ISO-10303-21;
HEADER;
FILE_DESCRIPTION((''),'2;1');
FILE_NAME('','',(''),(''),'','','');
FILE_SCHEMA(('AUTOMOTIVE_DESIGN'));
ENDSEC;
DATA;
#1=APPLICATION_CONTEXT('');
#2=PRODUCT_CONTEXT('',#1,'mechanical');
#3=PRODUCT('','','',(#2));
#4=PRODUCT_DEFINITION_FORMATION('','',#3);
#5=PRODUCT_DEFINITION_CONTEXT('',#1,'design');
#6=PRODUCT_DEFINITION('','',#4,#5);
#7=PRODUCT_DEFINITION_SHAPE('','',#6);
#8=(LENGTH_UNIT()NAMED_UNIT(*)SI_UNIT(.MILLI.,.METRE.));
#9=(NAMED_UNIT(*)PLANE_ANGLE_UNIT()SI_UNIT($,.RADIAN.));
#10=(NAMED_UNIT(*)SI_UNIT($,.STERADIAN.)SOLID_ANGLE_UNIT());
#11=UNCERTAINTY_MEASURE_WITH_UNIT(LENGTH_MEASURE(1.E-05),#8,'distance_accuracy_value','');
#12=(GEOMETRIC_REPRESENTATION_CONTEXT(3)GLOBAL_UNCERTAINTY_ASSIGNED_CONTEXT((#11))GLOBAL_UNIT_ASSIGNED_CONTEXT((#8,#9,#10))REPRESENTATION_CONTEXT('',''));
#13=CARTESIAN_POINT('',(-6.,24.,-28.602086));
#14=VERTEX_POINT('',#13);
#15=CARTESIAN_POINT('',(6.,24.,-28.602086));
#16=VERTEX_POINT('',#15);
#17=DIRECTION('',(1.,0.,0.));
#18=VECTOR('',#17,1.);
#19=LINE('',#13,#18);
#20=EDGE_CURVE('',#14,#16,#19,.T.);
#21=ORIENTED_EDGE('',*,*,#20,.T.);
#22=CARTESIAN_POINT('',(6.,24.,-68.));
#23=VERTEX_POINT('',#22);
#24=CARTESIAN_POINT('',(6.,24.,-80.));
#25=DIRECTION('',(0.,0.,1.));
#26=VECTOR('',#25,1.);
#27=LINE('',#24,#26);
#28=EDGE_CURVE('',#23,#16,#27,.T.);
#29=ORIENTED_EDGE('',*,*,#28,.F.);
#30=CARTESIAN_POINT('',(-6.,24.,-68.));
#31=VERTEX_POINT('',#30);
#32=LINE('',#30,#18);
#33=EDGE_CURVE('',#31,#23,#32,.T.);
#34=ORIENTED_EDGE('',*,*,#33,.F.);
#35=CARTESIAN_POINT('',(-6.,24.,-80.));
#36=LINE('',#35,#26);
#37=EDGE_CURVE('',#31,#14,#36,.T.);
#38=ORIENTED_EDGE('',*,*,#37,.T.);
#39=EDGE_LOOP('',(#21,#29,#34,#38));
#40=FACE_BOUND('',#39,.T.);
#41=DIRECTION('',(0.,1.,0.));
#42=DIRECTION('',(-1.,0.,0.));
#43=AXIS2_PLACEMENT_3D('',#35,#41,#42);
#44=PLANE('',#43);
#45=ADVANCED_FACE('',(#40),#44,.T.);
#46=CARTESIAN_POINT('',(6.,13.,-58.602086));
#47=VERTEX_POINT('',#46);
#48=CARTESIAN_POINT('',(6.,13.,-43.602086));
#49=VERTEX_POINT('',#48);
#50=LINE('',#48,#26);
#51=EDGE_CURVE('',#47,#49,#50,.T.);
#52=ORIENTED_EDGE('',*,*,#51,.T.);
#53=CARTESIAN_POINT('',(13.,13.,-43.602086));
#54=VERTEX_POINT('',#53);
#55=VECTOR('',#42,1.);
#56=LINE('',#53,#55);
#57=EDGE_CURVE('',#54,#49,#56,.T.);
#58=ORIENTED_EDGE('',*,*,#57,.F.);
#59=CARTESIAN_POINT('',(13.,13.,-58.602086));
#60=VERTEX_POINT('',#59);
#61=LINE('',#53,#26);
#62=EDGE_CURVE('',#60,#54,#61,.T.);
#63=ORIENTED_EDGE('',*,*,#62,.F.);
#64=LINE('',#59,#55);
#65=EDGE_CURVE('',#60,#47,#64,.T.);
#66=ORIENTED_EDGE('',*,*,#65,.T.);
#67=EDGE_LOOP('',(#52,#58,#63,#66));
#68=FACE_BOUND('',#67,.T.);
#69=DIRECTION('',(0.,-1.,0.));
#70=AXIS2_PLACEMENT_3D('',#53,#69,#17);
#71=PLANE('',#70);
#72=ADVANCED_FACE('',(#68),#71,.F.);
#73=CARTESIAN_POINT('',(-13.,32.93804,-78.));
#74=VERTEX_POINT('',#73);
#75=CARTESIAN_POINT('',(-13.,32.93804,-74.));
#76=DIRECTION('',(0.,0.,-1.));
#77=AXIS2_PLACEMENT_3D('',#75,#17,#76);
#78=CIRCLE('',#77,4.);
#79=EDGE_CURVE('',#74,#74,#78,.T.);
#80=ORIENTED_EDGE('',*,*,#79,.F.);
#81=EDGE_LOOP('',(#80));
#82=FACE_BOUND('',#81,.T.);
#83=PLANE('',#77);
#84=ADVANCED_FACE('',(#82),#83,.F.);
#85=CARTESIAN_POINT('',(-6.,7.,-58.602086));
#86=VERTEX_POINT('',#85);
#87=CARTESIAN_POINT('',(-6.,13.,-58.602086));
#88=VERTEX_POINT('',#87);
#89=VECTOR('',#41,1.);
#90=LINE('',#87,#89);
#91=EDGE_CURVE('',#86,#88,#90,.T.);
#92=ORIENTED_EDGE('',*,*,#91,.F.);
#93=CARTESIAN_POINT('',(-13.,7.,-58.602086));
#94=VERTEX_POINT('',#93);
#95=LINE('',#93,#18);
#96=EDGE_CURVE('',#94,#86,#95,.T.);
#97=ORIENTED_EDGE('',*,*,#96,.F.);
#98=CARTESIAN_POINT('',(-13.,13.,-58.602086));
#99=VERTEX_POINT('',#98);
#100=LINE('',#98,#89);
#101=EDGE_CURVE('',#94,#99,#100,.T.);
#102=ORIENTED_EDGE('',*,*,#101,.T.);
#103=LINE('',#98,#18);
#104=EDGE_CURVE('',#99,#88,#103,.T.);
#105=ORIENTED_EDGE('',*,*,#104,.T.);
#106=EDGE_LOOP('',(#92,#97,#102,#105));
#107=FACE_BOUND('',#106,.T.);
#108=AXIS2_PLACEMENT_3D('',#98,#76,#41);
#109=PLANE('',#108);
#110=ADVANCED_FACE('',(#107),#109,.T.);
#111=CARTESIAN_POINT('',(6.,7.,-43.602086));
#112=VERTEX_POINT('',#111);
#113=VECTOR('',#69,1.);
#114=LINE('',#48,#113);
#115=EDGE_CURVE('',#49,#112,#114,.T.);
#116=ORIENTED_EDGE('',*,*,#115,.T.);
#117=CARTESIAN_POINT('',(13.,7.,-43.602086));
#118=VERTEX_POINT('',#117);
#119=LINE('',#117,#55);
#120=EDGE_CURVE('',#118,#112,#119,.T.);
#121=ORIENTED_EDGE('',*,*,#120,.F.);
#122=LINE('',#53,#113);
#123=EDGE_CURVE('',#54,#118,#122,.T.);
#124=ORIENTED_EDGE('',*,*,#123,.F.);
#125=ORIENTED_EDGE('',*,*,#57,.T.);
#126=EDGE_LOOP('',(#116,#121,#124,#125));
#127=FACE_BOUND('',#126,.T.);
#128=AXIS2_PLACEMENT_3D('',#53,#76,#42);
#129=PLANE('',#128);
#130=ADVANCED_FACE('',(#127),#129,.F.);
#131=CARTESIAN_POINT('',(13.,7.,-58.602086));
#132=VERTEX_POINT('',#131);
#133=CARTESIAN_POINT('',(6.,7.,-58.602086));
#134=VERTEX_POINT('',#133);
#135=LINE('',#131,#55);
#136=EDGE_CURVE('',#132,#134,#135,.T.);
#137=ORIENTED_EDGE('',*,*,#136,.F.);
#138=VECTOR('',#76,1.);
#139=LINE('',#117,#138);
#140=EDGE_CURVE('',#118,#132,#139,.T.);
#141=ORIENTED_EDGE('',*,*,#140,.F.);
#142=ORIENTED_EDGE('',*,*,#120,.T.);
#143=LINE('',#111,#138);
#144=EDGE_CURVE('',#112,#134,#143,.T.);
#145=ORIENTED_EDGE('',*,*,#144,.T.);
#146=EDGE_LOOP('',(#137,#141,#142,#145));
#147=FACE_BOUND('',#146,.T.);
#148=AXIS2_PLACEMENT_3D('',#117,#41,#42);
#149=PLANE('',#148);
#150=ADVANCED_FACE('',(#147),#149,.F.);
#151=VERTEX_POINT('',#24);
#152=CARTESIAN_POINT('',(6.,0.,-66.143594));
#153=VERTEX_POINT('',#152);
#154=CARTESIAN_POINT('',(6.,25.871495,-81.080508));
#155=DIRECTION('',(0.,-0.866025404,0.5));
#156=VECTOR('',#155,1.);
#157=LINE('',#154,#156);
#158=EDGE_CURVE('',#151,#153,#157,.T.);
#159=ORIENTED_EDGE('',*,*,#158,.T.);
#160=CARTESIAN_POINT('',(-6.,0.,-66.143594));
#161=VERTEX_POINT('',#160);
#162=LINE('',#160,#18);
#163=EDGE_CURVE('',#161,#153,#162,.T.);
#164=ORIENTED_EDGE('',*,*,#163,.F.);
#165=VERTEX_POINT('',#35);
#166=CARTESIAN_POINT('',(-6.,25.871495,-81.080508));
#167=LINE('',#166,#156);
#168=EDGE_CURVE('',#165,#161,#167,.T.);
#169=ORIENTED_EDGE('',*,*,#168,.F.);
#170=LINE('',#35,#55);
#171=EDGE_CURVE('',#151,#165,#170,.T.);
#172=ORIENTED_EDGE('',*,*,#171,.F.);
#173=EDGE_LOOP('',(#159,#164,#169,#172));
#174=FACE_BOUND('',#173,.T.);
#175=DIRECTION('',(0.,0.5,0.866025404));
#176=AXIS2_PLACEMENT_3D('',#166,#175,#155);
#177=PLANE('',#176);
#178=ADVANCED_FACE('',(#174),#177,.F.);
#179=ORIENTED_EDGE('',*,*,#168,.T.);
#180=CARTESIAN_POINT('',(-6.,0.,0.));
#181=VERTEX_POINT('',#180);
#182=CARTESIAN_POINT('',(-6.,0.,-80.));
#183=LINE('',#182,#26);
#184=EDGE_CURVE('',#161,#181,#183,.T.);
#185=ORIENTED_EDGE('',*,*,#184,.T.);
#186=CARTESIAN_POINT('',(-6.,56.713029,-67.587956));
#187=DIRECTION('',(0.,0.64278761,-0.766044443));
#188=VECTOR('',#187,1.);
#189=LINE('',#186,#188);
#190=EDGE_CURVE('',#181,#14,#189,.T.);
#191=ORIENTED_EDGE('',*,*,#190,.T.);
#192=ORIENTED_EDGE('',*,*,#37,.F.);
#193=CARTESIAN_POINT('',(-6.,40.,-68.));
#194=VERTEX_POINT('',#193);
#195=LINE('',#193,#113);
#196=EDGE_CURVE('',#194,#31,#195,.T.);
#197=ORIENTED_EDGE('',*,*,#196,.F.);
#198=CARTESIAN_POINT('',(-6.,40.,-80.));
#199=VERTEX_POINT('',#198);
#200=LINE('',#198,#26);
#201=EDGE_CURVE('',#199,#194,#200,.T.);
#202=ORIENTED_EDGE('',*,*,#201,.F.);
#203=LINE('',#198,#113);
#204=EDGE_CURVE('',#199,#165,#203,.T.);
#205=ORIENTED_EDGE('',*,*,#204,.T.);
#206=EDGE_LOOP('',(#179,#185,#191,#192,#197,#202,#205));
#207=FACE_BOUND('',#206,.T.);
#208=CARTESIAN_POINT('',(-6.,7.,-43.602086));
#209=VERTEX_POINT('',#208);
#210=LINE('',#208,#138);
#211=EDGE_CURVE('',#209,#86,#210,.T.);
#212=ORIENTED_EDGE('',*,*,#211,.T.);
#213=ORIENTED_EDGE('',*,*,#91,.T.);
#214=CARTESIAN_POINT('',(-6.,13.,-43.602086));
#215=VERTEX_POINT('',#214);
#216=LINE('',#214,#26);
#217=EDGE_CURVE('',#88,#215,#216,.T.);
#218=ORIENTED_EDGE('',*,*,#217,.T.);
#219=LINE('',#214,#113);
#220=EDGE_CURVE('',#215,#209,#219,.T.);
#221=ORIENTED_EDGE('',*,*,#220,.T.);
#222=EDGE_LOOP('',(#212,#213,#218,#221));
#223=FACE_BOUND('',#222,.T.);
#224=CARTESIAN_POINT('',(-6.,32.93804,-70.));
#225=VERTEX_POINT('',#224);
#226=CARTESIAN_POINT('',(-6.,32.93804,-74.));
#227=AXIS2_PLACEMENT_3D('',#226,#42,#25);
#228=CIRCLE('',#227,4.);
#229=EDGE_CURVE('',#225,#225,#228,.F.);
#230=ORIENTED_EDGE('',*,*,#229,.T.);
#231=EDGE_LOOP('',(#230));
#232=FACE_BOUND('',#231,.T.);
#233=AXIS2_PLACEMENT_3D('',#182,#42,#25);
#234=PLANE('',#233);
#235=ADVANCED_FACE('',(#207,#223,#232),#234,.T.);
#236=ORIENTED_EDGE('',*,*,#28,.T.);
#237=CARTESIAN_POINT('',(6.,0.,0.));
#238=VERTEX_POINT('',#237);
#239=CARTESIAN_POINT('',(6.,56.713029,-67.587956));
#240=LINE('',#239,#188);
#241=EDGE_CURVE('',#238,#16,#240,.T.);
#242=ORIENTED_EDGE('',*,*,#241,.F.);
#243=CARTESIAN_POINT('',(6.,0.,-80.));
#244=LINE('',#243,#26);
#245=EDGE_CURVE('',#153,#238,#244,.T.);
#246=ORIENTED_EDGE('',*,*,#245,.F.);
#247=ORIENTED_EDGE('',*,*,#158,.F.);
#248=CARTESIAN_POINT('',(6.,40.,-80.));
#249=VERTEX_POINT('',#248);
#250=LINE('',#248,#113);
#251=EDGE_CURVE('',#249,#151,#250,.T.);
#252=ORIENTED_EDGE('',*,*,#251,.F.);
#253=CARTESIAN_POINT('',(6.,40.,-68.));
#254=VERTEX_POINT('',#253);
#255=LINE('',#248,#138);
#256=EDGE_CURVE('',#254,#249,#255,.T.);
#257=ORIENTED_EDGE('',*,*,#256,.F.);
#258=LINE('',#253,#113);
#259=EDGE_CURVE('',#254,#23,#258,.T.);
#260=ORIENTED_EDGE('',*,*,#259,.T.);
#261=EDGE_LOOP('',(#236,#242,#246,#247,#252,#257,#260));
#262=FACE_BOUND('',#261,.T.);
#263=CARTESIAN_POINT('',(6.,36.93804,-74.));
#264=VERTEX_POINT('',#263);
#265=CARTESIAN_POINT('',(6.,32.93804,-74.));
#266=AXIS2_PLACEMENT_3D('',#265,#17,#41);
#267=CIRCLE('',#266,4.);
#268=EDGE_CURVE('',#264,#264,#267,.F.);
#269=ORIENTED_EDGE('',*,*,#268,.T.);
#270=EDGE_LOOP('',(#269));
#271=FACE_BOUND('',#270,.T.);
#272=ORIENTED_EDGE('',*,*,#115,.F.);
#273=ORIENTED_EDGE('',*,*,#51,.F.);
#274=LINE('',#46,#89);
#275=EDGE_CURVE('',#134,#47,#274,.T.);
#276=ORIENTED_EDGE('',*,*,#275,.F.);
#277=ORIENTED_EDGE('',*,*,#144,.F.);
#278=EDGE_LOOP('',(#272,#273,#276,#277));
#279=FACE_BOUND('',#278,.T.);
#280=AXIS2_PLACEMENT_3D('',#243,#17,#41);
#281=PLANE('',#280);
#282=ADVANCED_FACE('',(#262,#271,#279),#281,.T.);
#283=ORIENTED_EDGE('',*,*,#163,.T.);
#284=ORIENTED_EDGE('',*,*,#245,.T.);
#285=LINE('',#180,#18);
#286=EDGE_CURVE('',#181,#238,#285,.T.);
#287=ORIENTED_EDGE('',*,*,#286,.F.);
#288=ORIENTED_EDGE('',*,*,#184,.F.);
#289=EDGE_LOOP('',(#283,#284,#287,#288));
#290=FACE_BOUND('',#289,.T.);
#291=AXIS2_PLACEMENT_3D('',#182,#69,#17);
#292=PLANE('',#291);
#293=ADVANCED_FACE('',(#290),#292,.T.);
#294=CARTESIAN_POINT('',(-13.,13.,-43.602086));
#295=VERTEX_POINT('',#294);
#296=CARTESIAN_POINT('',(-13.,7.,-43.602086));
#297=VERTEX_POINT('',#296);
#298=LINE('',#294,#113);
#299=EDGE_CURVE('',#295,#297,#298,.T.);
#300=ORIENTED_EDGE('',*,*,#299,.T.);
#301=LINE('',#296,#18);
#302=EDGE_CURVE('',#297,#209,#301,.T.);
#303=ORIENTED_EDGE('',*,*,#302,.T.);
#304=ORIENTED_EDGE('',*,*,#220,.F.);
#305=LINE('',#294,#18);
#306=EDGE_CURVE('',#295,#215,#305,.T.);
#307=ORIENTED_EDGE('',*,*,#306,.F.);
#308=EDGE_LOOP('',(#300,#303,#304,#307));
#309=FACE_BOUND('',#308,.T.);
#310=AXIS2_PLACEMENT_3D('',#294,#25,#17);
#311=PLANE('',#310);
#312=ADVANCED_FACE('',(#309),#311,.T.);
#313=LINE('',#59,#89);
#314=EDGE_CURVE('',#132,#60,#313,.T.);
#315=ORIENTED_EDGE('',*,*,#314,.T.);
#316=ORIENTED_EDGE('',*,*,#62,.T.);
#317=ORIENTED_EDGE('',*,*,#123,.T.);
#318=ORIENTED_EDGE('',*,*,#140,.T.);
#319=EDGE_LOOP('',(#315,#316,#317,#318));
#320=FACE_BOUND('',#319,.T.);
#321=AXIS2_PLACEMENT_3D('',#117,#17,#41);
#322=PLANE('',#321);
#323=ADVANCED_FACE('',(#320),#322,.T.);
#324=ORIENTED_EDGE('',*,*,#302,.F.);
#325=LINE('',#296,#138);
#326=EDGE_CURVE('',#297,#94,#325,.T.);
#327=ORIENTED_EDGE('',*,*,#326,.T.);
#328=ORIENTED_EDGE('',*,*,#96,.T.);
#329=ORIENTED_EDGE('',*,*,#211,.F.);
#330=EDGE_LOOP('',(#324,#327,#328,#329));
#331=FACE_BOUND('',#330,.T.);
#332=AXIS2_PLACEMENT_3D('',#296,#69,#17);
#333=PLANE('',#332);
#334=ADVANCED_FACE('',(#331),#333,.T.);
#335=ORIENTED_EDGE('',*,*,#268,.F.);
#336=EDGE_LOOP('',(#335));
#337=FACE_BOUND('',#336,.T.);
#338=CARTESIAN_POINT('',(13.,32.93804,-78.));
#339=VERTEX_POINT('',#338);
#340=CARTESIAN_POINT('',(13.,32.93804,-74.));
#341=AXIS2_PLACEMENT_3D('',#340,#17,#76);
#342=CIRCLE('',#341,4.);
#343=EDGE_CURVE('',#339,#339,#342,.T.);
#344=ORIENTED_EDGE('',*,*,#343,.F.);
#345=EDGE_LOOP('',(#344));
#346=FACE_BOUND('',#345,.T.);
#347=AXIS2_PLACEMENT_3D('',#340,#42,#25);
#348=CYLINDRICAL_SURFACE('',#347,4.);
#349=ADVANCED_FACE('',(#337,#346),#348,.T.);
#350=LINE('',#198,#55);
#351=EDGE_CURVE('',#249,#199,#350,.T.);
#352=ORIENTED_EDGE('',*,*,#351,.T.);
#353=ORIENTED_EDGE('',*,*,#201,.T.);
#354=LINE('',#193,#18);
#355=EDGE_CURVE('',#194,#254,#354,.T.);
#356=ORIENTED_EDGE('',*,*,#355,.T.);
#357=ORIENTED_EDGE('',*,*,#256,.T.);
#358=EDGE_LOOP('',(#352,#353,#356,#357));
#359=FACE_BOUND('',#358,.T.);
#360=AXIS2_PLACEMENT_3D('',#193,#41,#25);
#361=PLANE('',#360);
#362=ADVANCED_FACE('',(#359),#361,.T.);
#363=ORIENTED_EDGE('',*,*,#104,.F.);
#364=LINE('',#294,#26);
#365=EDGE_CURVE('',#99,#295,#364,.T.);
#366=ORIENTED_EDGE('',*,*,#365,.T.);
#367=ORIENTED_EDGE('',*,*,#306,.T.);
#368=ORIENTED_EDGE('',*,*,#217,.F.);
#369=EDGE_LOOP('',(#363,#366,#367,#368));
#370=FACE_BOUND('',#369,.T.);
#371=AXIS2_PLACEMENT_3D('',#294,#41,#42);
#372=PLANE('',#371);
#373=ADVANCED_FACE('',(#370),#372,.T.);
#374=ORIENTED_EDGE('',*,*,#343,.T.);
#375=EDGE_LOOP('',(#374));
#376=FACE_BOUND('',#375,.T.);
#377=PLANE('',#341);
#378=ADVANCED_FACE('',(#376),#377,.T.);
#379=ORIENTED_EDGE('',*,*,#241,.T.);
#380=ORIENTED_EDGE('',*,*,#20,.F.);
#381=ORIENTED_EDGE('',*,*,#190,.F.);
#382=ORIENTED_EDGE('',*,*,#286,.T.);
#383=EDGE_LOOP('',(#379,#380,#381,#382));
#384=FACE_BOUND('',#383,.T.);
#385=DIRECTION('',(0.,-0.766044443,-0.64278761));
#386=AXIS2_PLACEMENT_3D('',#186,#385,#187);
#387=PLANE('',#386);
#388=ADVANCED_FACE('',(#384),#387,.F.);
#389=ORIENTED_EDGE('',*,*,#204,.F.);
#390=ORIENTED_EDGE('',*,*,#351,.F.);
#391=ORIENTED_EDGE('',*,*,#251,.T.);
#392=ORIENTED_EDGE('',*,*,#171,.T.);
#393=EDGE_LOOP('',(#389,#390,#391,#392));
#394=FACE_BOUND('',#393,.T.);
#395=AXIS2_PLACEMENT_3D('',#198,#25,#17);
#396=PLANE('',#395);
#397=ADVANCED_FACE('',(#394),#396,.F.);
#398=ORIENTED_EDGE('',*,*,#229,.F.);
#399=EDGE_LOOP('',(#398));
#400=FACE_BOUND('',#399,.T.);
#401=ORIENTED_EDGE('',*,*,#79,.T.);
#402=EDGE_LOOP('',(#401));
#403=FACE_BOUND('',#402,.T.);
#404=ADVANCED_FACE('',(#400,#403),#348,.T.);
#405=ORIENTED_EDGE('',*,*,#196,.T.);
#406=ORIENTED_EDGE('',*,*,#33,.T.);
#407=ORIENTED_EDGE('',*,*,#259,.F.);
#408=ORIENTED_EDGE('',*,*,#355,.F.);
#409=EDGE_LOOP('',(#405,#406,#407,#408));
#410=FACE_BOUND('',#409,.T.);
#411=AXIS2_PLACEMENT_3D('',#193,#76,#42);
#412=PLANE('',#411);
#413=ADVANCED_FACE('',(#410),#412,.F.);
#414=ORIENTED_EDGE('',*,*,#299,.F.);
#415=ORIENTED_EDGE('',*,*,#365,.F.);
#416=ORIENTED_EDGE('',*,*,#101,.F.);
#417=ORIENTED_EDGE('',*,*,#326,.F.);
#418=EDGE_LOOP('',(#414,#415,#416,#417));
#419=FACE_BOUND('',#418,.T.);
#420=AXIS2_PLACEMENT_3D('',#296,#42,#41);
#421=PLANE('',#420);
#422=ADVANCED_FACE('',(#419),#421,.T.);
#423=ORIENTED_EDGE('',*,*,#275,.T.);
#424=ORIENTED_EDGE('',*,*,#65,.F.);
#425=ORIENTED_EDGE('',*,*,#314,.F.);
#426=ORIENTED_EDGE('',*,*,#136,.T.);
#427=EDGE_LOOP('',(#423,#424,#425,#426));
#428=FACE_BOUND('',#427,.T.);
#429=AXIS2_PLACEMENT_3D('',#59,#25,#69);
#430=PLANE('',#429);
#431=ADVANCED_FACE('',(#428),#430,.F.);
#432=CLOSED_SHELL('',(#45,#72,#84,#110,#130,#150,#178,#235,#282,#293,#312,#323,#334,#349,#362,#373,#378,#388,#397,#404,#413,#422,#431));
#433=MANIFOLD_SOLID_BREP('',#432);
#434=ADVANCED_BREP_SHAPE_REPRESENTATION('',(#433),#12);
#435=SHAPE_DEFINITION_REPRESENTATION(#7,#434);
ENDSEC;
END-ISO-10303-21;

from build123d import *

# Parameters (mm, degrees)
SKETCH1_W           = 12
SKETCH1_H           = 24
BOSS_EXTRUDE1_DEPTH = 80
CUT_EXTRUDE1_DEPTH  = 12
SKETCH4_W           = 15
SKETCH4_H           = 6
BOSS_EXTRUDE2_DEPTH = 7
SKETCH5_W           = 12
SKETCH5_H           = 12
BOSS_EXTRUDE3_DEPTH = 16
SKETCH7_R           = 4
BOSS_EXTRUDE4_DEPTH = 13


with BuildPart() as part:
    # Sketch1 → Boss-Extrude1 (new body)
    with BuildSketch(Plane.XY):
        with Locations((0, 12)):
            Rectangle(SKETCH1_W, SKETCH1_H)
    extrude(amount=-BOSS_EXTRUDE1_DEPTH)

    # Sketch2 → Cut-Extrude1 (cut)
    with BuildSketch(Plane(origin=(6, 0, 0), x_dir=(0, 0, -1), z_dir=(1, 0, 0))):
        Polygon((0, 24), (0, 0), (28.602086222, 24), align=None)
        Polygon((80, 24), (66.143593539, 0), (80, 0), align=None)
    extrude(amount=-CUT_EXTRUDE1_DEPTH, mode=Mode.SUBTRACT)

    # Sketch4 → Boss-Extrude2 (add)
    with BuildSketch(Plane(origin=(6, 0, 0), x_dir=(0, 0, -1), z_dir=(1, 0, 0))):
        with Locations((51.102086222, 10)):
            Rectangle(SKETCH4_W, SKETCH4_H)
    boss_extrude2 = extrude(amount=BOSS_EXTRUDE2_DEPTH)

    # Mirror1: Boss-Extrude2 across plane
    add(boss_extrude2.mirror(Plane(origin=(0, 0, 0), x_dir=(0, 0, 1), z_dir=(1, 0, 0))))

    # Sketch5 → Boss-Extrude3 (add)
    with BuildSketch(Plane(origin=(0, 24, 0), x_dir=(1, 0, 0), z_dir=(0, 1, 0))):
        with Locations((0, 74)):
            Rectangle(SKETCH5_W, SKETCH5_H)
    extrude(amount=BOSS_EXTRUDE3_DEPTH)

    # Sketch7 → Boss-Extrude4 (add, symmetric)
    with BuildSketch(Plane(origin=(0, 0, 0), x_dir=(0, 0, -1), z_dir=(1, 0, 0))):
        with Locations((74, 32.938039716)):
            Circle(SKETCH7_R)
    extrude(amount=BOSS_EXTRUDE4_DEPTH, both=True)


solid = part.part
